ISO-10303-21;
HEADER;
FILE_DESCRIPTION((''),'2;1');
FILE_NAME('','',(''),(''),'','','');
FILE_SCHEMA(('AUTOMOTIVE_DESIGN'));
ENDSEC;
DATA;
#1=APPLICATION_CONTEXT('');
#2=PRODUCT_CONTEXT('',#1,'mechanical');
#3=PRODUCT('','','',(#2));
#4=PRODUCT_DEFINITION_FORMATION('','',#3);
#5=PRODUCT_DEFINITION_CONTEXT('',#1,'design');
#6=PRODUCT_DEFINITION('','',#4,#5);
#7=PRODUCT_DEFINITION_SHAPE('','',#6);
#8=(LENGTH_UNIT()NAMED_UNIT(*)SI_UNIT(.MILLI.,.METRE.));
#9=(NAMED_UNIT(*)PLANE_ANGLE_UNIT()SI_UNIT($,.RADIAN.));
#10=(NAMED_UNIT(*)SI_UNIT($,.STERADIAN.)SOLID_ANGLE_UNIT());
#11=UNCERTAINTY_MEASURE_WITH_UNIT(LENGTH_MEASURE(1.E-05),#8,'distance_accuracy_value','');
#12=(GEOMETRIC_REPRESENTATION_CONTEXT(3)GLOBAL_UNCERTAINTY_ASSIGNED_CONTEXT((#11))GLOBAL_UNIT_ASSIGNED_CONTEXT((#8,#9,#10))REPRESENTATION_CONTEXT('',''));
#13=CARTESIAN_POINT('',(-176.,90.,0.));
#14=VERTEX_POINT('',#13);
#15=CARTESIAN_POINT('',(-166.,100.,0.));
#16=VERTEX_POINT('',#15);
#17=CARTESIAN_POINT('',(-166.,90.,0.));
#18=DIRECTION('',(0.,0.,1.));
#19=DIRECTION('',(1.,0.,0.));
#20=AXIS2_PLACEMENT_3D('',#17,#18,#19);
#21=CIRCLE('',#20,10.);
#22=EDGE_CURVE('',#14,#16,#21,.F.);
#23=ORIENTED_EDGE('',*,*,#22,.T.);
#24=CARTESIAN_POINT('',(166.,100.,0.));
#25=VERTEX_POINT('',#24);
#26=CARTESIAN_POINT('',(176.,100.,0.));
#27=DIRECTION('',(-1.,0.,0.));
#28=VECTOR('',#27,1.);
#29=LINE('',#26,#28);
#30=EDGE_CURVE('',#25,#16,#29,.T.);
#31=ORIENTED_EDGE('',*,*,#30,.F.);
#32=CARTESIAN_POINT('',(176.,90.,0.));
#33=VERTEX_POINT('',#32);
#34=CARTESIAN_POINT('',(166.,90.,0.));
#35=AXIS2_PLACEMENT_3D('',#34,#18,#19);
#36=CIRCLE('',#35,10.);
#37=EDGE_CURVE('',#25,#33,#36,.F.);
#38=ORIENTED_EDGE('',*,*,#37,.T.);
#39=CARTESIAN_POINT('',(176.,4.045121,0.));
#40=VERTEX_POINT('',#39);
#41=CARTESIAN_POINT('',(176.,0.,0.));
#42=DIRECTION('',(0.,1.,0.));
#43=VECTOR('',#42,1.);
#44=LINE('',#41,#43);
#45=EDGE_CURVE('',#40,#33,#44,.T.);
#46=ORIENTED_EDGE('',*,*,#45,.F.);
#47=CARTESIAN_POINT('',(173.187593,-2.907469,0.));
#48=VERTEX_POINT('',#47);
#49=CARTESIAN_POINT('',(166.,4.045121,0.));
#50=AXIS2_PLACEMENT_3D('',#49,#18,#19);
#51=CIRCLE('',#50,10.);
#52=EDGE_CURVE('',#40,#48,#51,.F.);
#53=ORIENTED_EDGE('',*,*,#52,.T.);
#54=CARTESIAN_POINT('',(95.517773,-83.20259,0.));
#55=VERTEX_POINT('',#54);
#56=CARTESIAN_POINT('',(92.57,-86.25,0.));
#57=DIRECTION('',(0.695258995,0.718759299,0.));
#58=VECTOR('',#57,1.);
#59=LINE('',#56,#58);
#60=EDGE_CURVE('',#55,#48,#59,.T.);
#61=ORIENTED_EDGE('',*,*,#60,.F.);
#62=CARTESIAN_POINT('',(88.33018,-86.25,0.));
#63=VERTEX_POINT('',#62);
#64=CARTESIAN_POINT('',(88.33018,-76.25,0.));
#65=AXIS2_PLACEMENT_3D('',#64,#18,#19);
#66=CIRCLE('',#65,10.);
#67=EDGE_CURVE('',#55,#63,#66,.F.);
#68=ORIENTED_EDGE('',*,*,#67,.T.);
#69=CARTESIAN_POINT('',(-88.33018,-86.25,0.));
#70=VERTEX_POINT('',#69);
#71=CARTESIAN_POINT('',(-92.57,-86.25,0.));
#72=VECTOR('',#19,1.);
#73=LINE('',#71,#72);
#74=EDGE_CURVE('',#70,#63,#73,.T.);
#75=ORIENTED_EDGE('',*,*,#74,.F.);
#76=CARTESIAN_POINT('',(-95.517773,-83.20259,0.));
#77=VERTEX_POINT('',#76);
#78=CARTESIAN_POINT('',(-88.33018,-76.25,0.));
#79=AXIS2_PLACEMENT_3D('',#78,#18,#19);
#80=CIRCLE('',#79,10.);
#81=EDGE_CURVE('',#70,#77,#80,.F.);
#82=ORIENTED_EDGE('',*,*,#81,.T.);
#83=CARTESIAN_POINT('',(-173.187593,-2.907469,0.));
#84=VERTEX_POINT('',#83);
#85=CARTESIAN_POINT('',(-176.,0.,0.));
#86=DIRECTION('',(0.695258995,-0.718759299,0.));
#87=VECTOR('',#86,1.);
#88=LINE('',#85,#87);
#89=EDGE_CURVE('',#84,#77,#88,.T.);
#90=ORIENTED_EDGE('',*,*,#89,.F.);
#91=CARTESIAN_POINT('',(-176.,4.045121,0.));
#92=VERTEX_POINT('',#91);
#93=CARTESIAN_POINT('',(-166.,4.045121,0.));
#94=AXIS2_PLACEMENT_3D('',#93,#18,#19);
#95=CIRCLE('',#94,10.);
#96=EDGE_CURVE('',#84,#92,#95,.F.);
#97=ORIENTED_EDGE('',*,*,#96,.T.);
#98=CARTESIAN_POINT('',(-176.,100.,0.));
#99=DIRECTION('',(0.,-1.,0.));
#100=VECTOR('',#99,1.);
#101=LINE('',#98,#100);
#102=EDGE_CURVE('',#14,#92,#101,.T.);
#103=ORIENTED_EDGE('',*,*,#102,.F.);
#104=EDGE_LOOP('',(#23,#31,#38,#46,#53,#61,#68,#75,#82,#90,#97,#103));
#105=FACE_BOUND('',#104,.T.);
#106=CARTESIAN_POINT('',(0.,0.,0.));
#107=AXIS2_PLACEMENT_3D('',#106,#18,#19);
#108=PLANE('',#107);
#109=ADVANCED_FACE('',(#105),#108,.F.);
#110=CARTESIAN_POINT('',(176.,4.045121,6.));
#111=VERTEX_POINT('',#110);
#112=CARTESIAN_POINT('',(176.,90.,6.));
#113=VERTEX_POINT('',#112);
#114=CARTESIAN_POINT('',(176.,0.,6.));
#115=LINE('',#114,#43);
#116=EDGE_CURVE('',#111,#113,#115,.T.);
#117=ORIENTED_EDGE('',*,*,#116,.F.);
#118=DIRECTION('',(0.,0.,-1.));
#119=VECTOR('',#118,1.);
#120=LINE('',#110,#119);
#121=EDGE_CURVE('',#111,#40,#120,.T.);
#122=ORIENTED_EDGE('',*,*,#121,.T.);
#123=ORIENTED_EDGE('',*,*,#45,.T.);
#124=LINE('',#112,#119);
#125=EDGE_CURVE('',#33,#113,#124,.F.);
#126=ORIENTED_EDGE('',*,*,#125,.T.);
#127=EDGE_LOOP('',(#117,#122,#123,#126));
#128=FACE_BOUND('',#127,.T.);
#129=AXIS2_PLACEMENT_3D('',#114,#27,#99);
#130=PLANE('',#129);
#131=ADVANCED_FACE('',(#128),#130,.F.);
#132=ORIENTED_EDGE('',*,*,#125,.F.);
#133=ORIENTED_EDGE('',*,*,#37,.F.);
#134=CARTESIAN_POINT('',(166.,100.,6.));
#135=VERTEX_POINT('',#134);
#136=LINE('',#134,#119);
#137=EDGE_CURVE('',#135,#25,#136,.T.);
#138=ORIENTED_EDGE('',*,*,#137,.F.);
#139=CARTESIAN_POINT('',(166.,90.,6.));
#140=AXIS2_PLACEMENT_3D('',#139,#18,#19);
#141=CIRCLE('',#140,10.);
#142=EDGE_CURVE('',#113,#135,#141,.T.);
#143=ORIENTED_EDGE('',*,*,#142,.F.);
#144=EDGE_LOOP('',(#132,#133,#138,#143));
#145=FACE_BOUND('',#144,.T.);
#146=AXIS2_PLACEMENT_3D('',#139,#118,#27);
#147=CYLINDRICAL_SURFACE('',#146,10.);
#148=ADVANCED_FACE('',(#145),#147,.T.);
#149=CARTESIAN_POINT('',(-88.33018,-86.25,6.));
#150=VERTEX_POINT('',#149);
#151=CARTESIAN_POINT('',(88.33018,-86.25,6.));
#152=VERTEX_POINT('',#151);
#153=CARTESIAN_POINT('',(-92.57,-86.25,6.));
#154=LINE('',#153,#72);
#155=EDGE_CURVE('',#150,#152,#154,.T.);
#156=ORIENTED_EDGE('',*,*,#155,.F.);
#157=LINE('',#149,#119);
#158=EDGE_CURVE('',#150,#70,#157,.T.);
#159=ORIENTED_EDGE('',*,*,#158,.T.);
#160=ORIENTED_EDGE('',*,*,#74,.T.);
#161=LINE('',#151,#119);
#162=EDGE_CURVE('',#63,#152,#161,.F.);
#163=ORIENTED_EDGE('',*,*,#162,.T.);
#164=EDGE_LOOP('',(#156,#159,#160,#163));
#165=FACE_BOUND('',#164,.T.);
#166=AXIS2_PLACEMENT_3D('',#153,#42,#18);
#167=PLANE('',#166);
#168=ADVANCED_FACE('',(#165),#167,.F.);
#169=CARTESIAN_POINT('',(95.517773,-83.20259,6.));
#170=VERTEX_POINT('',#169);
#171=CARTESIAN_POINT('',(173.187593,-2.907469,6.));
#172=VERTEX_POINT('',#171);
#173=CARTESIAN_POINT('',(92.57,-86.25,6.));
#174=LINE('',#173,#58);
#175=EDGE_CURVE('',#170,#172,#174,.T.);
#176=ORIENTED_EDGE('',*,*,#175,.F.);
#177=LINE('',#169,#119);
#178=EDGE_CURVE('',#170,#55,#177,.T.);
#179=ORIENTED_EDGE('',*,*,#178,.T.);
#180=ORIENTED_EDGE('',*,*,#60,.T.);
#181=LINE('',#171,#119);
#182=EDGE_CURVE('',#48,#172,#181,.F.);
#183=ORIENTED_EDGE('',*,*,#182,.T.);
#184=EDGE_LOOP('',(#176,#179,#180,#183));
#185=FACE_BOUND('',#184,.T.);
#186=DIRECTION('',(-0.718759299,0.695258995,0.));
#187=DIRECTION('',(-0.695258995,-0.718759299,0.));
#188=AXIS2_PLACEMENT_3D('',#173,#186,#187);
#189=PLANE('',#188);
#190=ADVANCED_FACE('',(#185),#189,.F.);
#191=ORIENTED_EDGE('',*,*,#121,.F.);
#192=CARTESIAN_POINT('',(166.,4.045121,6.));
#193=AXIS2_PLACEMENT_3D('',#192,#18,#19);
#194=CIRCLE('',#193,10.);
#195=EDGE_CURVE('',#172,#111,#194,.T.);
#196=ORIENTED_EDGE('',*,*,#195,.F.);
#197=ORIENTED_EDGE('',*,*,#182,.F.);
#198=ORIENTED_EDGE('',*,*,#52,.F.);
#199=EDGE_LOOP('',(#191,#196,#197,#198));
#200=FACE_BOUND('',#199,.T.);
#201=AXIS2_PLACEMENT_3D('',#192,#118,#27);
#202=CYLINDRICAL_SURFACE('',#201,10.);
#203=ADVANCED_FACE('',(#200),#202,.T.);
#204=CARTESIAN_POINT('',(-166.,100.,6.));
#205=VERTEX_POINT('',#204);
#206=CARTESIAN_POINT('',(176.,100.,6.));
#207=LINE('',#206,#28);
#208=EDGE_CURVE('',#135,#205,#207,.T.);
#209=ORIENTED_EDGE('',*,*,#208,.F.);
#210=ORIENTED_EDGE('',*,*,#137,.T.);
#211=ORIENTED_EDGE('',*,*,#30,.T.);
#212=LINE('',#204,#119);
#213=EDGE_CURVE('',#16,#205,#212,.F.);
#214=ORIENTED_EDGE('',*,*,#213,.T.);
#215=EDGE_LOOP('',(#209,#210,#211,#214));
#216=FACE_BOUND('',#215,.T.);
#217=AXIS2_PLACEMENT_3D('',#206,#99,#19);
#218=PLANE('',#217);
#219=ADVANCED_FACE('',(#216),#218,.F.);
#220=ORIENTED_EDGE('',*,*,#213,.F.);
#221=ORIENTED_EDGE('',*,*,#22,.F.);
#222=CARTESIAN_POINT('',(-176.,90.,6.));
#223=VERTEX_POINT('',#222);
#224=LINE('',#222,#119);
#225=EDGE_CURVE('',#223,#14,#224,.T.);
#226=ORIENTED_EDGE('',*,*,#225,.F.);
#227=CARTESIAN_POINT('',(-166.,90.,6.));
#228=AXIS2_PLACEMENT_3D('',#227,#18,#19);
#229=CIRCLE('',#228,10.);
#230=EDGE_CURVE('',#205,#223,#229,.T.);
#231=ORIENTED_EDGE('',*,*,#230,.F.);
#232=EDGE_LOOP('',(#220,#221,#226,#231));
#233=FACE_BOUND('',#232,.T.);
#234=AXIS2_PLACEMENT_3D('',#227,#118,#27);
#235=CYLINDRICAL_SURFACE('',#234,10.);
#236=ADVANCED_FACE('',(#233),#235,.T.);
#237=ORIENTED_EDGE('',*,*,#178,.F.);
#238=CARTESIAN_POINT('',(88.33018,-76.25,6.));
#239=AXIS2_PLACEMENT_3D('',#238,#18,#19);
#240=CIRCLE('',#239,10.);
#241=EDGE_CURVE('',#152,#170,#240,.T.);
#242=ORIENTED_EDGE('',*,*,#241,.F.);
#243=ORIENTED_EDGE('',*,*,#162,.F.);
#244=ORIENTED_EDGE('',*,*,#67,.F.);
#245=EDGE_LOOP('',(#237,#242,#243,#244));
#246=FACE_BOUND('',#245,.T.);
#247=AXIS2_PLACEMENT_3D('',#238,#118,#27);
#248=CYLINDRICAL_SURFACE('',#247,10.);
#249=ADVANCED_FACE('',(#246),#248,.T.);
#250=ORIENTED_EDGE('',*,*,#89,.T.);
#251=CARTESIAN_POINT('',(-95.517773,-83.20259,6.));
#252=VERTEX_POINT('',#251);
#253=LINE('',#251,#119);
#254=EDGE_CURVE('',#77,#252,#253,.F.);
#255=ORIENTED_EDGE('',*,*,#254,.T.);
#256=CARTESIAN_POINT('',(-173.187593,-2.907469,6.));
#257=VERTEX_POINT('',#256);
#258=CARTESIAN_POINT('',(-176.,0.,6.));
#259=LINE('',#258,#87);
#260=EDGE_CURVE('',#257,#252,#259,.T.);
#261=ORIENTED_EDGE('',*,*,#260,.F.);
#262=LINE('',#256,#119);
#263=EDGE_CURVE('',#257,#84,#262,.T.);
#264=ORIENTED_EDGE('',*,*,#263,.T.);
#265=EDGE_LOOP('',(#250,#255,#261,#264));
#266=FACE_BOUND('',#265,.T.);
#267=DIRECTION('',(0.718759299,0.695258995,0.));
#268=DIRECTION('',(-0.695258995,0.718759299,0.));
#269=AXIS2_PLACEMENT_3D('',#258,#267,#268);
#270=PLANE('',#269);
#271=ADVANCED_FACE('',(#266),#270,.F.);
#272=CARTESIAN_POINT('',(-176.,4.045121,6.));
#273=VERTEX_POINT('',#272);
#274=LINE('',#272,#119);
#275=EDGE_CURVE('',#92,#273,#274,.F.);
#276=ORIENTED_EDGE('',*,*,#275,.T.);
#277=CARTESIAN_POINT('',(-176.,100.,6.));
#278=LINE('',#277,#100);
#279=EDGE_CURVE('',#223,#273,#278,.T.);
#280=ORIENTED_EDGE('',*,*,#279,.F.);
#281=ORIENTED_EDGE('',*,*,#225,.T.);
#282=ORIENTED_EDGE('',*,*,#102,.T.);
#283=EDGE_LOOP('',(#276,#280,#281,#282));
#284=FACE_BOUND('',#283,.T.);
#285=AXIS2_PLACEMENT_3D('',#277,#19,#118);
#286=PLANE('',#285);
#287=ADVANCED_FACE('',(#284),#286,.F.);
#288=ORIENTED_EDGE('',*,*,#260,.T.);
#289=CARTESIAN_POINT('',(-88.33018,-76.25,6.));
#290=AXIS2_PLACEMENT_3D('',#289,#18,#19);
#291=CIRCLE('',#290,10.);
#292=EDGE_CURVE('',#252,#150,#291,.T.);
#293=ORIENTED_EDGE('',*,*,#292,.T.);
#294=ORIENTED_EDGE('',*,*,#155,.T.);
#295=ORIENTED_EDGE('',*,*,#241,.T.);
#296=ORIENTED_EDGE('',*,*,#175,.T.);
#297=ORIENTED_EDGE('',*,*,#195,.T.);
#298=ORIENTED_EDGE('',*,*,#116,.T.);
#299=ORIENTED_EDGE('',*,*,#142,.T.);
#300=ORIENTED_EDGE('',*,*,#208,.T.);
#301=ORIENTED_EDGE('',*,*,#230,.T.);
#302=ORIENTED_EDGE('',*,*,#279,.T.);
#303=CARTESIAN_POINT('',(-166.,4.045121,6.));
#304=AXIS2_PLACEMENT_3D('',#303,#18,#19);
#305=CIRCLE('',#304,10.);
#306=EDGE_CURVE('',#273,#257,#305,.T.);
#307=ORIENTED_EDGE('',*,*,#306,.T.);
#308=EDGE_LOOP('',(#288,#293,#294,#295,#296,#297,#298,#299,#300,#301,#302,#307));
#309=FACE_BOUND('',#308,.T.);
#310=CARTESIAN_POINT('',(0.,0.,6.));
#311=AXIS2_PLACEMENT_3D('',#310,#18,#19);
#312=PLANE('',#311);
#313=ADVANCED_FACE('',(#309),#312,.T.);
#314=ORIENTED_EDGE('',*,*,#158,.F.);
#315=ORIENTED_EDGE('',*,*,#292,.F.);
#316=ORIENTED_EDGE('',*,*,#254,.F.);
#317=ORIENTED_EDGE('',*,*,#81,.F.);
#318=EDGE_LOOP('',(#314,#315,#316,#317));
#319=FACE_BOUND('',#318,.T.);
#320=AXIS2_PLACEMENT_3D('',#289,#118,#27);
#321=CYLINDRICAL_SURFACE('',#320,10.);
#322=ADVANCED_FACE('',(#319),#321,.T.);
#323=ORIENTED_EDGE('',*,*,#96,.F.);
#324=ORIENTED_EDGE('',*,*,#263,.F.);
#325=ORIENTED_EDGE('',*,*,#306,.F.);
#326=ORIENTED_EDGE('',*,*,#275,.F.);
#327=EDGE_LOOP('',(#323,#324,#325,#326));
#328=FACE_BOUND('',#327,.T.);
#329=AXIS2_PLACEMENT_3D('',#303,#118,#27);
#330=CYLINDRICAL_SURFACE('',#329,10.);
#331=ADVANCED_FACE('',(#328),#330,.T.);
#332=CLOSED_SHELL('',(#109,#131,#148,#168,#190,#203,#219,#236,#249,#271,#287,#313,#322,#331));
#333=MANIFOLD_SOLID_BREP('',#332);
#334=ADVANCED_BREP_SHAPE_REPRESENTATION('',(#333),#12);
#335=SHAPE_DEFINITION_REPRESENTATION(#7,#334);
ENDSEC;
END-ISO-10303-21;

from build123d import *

# Parameters (mm, degrees)
BOSS_EXTRU_1_DEPTH = 6
CONG_1_R           = 10


with BuildPart() as part:
    # Esquisse1 → Boss.-Extru.1 (new body)
    with BuildSketch(Plane.XY):
        Polygon((-176, 100), (-176, 0), (-92.57, -86.25), (92.57, -86.25), (176, 0), (176, 100), align=None)
    extrude(amount=BOSS_EXTRU_1_DEPTH)

    # Congé1
    cong_1_edges = [part.edges().sort_by_distance(p)[0] for p in [
        (176, 100, 3),
        (176, 0, 3),
        (92.57, -86.25, 3),
        (-92.57, -86.25, 3),
        (-176, 0, 3),
        (-176, 100, 3),
    ]]
    fillet(cong_1_edges, radius=CONG_1_R)


solid = part.part
